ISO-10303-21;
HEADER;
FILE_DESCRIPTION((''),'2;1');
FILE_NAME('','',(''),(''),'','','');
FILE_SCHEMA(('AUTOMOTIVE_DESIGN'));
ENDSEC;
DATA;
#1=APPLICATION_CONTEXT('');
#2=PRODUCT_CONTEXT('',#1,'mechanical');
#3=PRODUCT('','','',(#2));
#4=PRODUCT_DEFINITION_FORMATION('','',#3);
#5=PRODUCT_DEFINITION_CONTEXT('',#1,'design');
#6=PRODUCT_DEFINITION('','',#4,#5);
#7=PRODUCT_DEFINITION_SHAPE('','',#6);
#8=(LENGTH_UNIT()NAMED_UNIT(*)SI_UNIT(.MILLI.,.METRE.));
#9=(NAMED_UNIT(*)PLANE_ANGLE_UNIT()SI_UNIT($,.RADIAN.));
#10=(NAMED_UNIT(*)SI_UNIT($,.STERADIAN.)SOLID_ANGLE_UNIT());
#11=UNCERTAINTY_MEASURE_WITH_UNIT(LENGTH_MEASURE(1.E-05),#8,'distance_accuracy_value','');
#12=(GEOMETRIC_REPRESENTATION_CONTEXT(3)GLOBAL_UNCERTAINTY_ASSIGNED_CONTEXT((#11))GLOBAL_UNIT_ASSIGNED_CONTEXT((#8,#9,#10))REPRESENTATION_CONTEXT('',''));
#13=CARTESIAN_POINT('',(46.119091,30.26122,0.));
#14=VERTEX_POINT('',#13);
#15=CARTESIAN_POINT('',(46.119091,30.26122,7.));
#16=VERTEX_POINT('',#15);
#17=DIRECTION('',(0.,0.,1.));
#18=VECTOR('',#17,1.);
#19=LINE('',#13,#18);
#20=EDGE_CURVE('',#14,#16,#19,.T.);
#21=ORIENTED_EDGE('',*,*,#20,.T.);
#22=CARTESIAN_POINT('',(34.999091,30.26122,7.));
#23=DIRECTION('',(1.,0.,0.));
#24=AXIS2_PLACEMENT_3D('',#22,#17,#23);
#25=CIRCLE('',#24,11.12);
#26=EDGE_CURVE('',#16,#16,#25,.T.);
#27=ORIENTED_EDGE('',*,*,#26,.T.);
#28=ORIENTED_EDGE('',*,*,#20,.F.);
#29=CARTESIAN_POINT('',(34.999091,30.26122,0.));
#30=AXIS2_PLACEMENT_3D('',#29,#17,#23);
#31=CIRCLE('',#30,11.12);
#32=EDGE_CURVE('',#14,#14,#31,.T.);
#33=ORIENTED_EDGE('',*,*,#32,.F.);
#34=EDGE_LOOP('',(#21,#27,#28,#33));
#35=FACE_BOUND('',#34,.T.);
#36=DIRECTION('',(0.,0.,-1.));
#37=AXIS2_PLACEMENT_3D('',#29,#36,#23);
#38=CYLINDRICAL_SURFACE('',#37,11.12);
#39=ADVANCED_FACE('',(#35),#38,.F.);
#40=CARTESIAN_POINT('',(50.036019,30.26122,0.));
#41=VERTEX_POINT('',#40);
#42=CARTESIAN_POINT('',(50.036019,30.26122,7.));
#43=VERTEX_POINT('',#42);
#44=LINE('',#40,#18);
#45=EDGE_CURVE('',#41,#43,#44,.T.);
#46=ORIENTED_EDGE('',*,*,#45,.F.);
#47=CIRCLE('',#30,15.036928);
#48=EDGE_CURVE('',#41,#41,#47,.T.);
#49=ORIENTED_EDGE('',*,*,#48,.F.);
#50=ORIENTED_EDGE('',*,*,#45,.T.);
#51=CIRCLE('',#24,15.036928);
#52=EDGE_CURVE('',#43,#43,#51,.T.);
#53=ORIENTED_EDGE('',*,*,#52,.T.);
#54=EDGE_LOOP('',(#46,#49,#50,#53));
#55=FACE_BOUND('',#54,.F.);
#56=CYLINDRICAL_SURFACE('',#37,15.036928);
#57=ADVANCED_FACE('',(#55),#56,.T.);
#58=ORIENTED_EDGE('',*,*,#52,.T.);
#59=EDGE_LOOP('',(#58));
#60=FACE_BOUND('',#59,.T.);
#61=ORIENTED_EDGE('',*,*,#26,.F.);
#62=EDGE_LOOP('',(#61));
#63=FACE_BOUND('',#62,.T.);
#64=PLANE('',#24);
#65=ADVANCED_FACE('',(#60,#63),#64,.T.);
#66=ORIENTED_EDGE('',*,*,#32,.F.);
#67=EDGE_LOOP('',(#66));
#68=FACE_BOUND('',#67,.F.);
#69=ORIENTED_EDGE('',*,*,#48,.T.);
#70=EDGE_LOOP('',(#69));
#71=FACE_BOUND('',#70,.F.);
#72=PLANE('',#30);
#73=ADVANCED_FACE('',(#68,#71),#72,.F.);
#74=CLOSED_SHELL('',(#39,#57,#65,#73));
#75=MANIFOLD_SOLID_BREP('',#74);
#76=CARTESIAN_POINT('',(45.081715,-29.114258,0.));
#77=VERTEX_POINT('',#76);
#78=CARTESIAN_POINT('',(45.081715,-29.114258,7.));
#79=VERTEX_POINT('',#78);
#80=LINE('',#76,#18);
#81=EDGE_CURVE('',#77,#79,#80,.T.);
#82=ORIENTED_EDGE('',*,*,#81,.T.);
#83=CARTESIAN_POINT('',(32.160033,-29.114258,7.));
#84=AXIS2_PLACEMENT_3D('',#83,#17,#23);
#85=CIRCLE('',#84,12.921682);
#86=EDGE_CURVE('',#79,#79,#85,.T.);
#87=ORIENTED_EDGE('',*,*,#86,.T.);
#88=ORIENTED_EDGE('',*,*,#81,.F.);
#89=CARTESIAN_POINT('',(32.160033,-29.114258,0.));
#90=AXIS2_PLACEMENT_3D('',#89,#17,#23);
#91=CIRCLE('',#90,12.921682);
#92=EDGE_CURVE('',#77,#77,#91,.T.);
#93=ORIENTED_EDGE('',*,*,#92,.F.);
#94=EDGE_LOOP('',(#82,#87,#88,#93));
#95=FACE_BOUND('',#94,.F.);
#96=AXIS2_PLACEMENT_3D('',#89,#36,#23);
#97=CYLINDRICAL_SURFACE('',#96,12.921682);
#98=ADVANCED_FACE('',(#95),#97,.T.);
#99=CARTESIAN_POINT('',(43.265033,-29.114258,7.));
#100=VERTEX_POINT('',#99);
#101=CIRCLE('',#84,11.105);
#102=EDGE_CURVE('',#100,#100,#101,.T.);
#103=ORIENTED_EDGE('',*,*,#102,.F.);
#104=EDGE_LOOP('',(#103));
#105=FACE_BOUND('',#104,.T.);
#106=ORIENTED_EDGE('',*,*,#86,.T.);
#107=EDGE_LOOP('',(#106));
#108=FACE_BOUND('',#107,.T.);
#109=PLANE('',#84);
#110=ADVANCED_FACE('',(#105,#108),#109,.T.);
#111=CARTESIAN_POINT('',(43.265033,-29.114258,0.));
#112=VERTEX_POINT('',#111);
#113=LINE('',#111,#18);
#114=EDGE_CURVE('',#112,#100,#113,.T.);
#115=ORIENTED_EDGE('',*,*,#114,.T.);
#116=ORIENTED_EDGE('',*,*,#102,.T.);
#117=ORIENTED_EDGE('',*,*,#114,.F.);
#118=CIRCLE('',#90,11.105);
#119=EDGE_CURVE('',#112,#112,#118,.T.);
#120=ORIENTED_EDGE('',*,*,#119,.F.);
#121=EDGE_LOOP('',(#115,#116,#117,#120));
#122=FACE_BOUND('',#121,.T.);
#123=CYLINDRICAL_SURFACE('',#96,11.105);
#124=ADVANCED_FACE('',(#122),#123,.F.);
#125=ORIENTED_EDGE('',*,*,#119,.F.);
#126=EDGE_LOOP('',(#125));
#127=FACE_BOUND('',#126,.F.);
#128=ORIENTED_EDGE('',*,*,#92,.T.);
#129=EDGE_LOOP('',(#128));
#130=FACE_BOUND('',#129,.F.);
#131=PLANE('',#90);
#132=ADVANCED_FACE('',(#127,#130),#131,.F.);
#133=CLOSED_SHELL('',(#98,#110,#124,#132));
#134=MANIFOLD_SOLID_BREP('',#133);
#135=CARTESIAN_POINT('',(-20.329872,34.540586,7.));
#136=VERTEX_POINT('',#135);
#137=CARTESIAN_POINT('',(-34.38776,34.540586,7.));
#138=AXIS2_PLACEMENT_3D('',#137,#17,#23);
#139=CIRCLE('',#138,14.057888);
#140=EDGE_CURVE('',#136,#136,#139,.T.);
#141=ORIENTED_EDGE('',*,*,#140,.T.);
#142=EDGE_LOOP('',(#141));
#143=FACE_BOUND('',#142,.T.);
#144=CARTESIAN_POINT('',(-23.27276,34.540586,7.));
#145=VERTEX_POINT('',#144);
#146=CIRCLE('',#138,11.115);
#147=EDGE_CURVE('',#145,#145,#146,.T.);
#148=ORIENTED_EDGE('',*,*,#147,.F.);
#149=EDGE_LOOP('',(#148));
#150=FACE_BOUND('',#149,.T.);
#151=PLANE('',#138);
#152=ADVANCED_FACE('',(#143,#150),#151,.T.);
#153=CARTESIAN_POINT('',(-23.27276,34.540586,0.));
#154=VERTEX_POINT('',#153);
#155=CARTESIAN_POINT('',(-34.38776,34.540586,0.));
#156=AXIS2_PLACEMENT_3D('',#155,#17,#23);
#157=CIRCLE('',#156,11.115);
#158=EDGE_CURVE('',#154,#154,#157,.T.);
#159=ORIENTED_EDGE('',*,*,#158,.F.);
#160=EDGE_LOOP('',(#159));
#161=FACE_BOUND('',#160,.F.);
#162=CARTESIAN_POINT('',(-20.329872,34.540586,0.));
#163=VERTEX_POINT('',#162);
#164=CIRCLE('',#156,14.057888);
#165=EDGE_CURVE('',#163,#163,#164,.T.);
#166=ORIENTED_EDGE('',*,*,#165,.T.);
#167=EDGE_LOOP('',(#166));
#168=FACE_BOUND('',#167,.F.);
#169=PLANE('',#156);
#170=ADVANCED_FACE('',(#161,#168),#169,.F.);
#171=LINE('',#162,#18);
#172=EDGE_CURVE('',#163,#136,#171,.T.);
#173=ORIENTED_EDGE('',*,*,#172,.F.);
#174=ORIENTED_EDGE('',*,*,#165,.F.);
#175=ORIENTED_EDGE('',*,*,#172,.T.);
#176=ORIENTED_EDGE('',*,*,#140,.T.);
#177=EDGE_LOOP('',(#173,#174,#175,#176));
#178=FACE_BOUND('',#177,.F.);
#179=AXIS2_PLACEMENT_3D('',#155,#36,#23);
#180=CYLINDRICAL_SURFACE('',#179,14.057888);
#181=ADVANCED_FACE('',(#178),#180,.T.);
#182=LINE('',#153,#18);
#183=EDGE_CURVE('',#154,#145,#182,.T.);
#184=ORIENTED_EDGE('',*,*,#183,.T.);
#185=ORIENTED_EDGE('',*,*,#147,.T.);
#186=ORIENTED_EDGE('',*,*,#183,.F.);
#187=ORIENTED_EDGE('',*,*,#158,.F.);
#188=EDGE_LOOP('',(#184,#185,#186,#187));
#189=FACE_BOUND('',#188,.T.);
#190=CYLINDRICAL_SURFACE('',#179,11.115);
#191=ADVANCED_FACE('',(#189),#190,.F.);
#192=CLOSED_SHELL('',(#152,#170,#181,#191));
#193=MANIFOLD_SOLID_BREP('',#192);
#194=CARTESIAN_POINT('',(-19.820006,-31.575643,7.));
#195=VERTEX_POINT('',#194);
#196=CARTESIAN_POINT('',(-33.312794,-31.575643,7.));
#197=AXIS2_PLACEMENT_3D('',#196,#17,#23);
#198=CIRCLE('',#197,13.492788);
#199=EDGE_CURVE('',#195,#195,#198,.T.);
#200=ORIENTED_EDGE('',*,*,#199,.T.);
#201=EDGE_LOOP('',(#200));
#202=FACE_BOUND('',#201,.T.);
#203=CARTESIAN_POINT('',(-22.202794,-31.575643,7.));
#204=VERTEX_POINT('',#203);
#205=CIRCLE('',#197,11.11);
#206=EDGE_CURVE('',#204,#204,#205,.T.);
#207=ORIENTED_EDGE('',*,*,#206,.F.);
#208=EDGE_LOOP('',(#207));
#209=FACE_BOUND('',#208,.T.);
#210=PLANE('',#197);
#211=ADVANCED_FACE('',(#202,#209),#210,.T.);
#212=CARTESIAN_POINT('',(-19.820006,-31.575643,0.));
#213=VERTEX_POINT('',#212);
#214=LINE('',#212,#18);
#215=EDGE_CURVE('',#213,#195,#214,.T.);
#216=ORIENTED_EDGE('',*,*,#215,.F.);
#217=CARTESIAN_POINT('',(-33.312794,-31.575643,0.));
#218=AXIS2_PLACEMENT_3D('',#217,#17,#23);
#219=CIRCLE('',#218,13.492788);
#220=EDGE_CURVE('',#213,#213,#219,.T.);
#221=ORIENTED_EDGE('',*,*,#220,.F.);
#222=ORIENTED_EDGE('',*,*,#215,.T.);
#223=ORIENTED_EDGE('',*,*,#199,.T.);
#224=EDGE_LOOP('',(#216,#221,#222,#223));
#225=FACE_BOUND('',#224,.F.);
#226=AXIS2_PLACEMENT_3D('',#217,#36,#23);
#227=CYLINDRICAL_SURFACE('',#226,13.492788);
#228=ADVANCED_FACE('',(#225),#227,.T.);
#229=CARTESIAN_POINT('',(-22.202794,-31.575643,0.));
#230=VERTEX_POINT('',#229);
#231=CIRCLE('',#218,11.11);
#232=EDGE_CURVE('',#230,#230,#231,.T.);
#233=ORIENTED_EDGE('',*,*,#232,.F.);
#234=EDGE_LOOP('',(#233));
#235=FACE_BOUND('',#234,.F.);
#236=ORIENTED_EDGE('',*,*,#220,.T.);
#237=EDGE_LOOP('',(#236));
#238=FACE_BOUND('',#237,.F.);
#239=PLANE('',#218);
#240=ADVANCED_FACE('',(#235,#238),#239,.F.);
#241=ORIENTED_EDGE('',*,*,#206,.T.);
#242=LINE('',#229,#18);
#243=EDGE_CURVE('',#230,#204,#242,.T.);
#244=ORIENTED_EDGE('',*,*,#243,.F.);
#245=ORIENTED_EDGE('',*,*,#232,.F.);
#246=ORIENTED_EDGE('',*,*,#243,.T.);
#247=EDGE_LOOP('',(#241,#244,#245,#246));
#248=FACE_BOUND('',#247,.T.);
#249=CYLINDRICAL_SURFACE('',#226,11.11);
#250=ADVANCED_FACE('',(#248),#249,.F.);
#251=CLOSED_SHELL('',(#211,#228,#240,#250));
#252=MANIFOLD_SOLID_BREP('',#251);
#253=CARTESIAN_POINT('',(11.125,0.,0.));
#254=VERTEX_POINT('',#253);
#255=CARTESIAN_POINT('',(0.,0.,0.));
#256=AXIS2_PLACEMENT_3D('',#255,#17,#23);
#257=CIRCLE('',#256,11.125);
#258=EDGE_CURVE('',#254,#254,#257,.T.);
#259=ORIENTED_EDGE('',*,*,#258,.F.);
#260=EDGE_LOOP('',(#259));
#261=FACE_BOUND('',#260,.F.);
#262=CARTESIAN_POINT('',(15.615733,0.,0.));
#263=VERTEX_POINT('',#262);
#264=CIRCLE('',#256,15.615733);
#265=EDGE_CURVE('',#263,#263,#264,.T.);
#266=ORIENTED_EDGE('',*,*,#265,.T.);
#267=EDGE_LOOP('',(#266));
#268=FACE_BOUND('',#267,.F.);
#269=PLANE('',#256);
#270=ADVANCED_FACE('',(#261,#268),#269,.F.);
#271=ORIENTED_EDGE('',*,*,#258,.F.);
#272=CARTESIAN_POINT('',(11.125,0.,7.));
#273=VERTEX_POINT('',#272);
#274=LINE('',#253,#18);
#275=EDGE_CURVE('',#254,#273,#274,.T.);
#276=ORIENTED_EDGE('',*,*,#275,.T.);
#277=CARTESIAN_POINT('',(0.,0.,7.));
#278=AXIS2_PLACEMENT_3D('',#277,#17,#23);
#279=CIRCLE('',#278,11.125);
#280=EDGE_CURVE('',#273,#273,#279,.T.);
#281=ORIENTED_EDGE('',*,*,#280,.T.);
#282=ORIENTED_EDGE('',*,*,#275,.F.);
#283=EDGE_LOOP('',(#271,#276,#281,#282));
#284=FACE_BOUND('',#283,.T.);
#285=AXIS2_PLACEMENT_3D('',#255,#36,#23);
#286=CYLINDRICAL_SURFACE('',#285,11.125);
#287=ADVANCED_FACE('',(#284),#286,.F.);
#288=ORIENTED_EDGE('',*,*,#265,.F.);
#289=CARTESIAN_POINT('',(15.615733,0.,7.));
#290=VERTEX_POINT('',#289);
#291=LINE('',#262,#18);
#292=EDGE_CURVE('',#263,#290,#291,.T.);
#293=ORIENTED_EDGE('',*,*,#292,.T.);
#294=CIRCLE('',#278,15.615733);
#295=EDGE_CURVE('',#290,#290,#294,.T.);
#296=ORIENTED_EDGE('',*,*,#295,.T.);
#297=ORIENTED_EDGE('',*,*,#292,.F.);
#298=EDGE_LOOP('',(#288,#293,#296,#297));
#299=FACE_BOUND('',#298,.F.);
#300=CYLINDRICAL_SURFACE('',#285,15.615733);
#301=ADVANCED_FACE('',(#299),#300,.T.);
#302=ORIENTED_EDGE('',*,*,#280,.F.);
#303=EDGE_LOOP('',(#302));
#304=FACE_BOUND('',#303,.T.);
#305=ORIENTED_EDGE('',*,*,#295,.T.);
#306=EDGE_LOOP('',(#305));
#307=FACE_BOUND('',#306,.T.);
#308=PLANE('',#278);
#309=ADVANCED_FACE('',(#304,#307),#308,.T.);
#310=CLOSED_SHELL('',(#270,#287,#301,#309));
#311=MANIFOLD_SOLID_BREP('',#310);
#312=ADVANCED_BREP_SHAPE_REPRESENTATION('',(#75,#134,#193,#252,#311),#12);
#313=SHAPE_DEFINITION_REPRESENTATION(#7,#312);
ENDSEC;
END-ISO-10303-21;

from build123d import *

# Parameters (mm, degrees)
F0_R     = 14.057888
F0_R_2   = 11.115
F0_R_3   = 15.036928
F0_R_4   = 11.12
F0_R_5   = 15.615733
F0_R_6   = 11.125
F0_R_7   = 13.492788
F0_R_8   = 11.11
F0_R_9   = 12.921682
F0_R_10  = 11.105
F1_DEPTH = 7


with BuildPart() as f1:
    # F0 (on Top) → F1 (new body)
    with BuildSketch(Plane.XY):
        with Locations((-34.38776, 34.540586)):
            Circle(F0_R)
        with Locations((-34.38776, 34.540586)):
            Circle(F0_R_2, mode=Mode.SUBTRACT)
        with Locations((34.999091, 30.26122)):
            Circle(F0_R_3)
        with Locations((34.999091, 30.26122)):
            Circle(F0_R_4, mode=Mode.SUBTRACT)
        Circle(F0_R_5)
        Circle(F0_R_6, mode=Mode.SUBTRACT)
        with Locations((-33.312794, -31.575643)):
            Circle(F0_R_7)
        with Locations((-33.312794, -31.575643)):
            Circle(F0_R_8, mode=Mode.SUBTRACT)
        with Locations((32.160033, -29.114258)):
            Circle(F0_R_9)
        with Locations((32.160033, -29.114258)):
            Circle(F0_R_10, mode=Mode.SUBTRACT)
    extrude(amount=F1_DEPTH)


solid = f1.part
